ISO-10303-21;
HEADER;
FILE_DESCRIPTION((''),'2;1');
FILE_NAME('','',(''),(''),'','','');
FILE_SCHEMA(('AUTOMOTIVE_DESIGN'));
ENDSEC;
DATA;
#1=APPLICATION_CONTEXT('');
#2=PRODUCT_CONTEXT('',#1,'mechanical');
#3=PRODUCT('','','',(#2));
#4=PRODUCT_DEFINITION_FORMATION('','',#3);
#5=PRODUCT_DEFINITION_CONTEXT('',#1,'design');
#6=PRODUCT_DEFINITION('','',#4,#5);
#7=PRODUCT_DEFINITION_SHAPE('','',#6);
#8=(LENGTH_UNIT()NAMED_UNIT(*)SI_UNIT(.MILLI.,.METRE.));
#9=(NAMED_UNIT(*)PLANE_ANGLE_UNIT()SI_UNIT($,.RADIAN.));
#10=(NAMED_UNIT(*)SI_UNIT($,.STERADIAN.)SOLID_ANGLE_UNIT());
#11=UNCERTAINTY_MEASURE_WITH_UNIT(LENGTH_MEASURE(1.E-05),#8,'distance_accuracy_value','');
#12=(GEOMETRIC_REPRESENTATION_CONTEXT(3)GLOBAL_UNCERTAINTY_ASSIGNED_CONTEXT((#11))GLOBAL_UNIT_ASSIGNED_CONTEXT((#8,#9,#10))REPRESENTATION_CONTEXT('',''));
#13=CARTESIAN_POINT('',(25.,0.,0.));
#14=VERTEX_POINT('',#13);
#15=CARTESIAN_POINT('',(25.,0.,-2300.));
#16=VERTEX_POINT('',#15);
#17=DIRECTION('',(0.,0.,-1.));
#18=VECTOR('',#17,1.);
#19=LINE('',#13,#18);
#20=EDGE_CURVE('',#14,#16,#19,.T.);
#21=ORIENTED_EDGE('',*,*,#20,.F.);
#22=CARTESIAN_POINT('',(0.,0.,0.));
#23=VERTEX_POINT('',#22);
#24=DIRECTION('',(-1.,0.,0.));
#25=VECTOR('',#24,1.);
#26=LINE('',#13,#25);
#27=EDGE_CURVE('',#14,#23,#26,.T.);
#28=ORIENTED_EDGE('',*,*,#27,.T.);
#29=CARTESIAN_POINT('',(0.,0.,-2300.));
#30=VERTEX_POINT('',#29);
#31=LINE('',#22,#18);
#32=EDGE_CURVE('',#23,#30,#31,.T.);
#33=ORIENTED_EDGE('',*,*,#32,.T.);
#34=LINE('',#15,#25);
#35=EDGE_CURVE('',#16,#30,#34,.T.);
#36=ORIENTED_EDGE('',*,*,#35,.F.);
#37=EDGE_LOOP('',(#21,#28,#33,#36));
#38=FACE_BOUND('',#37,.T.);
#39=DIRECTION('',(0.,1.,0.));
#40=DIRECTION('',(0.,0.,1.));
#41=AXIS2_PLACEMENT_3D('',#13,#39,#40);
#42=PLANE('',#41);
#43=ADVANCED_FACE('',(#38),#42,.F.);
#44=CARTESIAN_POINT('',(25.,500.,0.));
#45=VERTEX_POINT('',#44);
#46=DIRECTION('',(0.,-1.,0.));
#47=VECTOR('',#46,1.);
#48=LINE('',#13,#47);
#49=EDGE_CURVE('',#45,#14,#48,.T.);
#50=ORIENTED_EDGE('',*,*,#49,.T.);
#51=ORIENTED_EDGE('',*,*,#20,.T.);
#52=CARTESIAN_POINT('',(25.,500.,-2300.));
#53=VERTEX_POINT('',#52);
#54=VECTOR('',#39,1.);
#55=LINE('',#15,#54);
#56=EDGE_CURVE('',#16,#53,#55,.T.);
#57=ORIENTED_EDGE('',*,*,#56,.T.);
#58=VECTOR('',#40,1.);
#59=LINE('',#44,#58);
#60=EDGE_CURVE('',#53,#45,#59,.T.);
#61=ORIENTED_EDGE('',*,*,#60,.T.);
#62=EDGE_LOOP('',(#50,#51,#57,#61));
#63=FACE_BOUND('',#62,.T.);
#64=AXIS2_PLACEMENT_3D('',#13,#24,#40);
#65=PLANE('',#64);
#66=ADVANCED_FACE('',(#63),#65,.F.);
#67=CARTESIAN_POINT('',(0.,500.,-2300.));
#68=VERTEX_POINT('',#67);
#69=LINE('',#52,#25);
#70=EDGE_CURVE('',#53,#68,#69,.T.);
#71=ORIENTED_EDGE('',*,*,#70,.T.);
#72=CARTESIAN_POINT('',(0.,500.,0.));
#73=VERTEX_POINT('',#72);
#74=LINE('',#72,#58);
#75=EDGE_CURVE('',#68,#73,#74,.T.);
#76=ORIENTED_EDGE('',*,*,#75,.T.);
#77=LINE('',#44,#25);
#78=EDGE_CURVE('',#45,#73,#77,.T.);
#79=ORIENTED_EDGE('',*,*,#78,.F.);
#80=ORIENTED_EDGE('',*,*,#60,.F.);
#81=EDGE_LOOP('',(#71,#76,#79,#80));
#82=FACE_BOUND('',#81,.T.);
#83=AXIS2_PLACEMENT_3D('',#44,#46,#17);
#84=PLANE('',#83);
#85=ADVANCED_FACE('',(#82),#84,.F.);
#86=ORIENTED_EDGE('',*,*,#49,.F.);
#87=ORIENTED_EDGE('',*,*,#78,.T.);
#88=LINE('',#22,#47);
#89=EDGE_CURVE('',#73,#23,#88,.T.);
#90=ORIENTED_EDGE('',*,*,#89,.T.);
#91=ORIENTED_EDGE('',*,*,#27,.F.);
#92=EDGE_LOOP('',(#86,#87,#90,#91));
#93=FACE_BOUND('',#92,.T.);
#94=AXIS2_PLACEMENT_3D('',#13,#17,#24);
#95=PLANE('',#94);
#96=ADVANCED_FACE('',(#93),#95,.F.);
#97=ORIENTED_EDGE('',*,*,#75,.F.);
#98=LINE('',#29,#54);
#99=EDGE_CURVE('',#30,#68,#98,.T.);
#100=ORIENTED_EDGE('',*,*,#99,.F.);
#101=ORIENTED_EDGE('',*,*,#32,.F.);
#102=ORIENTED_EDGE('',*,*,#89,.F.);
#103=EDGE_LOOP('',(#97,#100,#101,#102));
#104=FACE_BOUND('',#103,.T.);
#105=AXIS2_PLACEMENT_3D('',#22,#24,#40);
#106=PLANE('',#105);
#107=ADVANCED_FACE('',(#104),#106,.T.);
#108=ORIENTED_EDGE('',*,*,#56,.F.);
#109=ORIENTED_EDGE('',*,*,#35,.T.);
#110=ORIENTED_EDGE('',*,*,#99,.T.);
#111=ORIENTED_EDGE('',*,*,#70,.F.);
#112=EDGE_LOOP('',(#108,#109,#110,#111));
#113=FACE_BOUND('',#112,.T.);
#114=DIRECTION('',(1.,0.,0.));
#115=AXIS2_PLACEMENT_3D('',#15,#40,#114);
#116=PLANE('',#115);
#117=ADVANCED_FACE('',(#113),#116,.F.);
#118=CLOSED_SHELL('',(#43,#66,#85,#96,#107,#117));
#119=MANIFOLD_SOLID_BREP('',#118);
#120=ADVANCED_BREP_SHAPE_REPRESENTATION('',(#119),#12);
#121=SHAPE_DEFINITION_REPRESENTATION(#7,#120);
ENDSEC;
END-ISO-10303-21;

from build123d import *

# Parameters (mm, degrees)
ESBO_O1_W                = 2300
ESBO_O1_H                = 500
RESSALTO_EXTRUS_O1_DEPTH = 25


with BuildPart() as part:
    # Esboço1 → Ressalto-extrusão1 (new body)
    with BuildSketch(Plane(origin=(0, 0, 0), x_dir=(0, 0, -1), z_dir=(1, 0, 0))):
        with Locations((1150, 250)):
            Rectangle(ESBO_O1_W, ESBO_O1_H)
    extrude(amount=RESSALTO_EXTRUS_O1_DEPTH)


solid = part.part
